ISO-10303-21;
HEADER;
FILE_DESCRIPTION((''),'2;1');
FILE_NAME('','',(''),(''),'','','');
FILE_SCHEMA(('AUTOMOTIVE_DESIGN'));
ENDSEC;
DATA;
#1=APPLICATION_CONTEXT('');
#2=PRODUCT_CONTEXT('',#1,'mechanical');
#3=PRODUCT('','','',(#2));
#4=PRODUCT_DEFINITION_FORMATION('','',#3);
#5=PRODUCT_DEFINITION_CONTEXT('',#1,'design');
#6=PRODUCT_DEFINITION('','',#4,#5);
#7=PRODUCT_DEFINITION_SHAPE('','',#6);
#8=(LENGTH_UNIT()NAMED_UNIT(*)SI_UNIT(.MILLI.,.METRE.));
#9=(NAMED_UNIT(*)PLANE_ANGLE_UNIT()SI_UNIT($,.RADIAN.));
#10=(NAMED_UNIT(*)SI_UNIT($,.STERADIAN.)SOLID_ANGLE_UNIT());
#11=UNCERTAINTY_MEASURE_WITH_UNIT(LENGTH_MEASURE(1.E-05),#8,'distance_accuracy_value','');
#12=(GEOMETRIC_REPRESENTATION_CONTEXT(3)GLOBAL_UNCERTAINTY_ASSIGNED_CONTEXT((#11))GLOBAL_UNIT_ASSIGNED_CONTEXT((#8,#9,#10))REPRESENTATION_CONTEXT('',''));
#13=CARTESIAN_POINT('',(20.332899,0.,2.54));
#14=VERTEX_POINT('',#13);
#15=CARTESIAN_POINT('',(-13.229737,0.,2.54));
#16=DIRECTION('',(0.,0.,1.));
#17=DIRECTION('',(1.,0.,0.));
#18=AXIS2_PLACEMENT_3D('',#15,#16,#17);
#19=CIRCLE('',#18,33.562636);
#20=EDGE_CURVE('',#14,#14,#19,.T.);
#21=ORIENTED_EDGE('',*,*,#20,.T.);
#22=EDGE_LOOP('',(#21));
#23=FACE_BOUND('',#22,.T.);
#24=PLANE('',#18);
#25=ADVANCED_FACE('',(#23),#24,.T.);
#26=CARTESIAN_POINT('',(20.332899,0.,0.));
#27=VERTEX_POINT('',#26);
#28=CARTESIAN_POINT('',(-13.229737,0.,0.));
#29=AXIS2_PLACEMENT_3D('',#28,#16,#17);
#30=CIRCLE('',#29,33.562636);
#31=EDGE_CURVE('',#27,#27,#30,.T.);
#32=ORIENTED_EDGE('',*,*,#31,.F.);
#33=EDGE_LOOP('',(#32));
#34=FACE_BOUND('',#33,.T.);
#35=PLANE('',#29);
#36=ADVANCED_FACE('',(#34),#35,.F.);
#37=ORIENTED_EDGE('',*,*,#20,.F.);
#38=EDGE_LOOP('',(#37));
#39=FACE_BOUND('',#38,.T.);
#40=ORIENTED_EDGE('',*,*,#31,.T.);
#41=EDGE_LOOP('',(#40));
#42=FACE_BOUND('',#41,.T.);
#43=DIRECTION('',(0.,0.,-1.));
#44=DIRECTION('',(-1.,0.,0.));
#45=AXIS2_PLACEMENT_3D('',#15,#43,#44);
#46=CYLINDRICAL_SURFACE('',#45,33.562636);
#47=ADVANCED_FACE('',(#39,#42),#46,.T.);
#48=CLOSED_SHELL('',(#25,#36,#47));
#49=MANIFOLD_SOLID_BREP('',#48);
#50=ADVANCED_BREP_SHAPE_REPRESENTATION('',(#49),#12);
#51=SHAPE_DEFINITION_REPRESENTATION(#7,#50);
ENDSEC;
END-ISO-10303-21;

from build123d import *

# Parameters (mm, degrees)
SKETCH1_R                 = 33.562636189
TEST_FEATURE_NAMING_DEPTH = 2.54


with BuildPart() as part:
    # Sketch1 → test feature naming (new body)
    with BuildSketch(Plane.XY):
        with Locations((-13.229737185, 0)):
            Circle(SKETCH1_R)
    extrude(amount=TEST_FEATURE_NAMING_DEPTH)


solid = part.part
